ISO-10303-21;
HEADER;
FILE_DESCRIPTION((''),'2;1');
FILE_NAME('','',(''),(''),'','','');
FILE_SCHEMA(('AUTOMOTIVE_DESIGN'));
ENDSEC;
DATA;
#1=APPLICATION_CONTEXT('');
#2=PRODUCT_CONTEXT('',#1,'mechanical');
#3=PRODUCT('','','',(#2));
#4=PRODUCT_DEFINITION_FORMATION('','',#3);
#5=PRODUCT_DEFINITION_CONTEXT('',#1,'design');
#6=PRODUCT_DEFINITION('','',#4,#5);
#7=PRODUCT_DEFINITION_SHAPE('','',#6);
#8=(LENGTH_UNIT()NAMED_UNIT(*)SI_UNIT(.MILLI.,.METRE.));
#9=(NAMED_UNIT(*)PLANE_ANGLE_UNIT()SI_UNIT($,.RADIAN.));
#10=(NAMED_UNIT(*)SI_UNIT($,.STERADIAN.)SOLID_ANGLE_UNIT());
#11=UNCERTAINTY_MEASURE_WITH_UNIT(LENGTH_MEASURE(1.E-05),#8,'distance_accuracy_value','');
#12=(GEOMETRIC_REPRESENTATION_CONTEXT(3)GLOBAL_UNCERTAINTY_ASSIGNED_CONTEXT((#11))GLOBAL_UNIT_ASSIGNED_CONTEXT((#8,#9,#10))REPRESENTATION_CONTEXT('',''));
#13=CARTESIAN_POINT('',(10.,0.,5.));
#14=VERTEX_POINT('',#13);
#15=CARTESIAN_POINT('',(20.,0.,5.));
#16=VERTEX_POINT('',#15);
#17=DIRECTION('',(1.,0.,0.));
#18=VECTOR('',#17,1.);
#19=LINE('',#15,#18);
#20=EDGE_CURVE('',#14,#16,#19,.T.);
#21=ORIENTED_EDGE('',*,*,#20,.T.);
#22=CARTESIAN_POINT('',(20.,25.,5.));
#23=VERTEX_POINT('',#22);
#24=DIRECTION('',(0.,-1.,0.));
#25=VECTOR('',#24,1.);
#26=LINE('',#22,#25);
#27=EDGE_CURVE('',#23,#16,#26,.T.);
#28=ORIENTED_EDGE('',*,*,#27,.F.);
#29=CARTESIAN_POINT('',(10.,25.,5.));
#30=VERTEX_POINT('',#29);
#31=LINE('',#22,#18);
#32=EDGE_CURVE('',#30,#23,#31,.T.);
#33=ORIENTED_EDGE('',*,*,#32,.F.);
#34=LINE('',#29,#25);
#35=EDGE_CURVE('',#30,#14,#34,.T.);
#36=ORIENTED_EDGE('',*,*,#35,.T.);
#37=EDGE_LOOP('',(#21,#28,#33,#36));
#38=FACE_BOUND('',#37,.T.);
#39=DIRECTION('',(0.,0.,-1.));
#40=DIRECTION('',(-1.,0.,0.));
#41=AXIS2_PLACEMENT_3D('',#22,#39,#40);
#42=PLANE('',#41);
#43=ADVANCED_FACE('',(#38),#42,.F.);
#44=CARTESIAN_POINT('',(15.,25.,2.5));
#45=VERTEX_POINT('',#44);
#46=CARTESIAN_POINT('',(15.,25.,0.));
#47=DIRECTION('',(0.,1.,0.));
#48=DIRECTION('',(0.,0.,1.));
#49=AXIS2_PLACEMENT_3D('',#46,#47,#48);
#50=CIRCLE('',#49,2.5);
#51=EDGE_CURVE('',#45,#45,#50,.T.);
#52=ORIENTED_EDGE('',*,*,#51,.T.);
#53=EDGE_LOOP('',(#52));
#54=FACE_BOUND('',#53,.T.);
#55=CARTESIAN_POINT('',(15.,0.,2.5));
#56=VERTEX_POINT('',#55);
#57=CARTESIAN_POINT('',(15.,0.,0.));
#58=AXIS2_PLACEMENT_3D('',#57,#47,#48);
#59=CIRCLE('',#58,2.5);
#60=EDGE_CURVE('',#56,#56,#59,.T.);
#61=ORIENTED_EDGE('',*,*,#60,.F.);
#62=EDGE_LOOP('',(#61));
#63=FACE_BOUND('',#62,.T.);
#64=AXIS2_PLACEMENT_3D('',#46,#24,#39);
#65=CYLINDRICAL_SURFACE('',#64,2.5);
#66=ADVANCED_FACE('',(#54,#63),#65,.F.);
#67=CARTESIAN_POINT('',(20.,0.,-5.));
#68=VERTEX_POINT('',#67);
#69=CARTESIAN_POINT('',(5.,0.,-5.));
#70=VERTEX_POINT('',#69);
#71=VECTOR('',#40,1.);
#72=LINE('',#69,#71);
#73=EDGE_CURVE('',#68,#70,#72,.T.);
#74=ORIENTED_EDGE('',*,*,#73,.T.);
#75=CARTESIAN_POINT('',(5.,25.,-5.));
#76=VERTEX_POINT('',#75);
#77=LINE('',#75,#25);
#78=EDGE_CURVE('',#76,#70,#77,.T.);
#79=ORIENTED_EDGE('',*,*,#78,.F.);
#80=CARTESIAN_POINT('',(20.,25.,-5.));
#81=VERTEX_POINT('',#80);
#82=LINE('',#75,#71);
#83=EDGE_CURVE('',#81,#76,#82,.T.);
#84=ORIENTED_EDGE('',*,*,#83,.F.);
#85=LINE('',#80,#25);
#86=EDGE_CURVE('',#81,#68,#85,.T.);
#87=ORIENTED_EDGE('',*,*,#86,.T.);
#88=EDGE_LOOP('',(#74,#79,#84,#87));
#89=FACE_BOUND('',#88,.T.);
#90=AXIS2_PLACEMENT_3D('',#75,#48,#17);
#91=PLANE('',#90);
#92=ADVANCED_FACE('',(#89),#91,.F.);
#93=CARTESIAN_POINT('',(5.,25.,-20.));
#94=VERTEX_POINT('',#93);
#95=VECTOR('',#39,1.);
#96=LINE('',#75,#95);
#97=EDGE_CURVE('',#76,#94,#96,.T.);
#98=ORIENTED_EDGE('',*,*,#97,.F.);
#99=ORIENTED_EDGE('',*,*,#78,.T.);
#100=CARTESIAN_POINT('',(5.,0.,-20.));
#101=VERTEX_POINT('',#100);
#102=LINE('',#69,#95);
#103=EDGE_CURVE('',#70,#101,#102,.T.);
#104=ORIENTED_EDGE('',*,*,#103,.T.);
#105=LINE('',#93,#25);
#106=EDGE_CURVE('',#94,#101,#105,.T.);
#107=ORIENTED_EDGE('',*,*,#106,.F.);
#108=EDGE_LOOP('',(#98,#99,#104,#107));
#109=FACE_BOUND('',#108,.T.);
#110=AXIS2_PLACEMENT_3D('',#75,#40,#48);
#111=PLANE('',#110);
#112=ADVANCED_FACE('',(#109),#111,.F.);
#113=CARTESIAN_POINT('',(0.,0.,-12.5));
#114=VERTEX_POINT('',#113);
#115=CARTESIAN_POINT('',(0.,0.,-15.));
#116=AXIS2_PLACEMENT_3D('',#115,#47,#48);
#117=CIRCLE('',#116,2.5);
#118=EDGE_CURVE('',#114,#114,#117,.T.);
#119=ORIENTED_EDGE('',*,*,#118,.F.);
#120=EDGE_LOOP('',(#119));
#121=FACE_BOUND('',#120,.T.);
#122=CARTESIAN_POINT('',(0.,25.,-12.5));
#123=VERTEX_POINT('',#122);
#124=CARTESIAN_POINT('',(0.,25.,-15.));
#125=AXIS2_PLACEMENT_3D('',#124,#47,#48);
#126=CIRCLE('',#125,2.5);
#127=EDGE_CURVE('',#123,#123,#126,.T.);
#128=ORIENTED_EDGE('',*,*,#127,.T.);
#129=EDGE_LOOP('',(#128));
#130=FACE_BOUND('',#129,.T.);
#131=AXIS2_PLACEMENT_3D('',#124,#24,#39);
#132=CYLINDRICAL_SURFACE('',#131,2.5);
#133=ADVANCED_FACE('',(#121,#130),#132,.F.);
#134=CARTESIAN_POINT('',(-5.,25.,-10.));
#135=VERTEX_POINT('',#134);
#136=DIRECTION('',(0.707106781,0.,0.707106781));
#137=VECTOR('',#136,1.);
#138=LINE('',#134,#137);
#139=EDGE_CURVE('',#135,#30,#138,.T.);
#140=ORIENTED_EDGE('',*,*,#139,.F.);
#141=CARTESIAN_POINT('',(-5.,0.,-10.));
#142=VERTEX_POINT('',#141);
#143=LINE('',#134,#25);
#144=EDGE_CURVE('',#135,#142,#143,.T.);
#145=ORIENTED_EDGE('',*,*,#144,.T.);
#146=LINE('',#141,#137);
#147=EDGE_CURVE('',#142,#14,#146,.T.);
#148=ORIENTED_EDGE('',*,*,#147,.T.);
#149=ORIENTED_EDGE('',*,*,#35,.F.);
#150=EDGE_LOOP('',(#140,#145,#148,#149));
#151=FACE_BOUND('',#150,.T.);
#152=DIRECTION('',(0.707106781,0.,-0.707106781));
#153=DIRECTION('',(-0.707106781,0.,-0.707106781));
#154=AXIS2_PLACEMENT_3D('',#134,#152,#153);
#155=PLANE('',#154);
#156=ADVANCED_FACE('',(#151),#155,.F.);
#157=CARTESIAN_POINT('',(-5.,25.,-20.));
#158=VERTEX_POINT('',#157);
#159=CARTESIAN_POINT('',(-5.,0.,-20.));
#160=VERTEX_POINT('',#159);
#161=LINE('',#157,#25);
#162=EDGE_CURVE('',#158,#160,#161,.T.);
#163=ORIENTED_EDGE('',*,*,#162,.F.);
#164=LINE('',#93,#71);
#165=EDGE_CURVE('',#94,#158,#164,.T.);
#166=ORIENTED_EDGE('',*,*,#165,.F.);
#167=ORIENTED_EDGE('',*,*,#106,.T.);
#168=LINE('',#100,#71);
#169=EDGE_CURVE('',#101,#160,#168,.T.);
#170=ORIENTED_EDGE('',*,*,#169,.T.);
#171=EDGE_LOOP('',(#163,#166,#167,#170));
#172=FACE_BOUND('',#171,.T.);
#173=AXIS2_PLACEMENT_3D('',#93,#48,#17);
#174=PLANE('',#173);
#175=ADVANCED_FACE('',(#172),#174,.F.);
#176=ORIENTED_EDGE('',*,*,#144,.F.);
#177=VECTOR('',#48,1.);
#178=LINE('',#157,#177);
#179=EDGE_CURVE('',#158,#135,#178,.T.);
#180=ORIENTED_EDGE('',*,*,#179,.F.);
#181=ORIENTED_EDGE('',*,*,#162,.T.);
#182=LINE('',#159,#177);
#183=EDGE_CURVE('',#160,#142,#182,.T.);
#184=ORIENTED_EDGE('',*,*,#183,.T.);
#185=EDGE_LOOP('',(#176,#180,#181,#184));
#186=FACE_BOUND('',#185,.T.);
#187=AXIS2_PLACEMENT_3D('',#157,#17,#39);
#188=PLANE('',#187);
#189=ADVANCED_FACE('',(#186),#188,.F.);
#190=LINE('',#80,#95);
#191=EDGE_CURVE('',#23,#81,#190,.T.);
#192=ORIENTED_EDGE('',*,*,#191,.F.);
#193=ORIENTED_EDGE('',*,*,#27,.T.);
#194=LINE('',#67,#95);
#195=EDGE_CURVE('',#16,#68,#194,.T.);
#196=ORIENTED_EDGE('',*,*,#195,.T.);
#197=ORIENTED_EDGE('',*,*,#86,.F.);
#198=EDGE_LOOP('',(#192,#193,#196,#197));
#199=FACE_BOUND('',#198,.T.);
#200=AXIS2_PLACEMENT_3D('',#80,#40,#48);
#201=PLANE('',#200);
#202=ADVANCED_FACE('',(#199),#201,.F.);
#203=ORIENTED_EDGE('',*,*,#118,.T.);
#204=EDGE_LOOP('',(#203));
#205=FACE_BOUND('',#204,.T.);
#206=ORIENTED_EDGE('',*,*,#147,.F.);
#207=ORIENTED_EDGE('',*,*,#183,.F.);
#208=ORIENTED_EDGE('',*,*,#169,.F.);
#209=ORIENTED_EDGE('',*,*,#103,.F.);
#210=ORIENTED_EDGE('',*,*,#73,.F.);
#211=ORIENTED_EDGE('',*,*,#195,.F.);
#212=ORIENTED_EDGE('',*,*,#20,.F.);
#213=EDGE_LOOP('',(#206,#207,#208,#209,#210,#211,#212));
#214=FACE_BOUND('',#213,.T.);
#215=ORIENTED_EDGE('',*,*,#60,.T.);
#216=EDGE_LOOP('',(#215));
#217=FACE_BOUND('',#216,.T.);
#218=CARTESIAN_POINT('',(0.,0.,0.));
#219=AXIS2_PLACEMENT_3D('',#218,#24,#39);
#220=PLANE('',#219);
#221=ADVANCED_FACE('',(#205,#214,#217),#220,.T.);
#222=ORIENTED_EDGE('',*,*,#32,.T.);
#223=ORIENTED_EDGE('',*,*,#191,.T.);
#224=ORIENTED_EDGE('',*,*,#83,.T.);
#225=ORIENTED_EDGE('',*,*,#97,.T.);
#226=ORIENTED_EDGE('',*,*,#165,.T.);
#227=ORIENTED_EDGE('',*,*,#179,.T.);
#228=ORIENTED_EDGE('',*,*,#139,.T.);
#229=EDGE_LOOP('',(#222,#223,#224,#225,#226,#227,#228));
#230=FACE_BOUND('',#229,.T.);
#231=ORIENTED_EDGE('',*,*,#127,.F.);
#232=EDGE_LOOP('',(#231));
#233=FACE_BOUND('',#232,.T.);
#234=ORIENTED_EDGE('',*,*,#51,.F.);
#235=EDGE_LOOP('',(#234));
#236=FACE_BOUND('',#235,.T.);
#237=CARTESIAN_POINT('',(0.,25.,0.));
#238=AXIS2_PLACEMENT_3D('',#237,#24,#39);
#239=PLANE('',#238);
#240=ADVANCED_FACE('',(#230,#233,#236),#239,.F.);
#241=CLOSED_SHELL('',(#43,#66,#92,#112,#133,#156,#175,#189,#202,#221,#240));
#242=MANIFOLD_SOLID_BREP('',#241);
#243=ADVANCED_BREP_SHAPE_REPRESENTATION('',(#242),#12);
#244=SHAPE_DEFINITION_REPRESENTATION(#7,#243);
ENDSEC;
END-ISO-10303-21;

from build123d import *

# Parameters (mm, degrees)
SKETCH1_R           = 2.5
BOSS_EXTRUDE1_DEPTH = 25


with BuildPart() as part:
    # Sketch1 → Boss-Extrude1 (new body)
    with BuildSketch(Plane(origin=(0, 0, 0), x_dir=(1, 0, 0), z_dir=(0, 1, 0))):
        Polygon((5, 5), (5, 20), (-5, 20), (-5, 10), (10, -5), (20, -5), (20, 5), align=None)
        with Locations((0, 15)):
            Circle(SKETCH1_R, mode=Mode.SUBTRACT)
        with Locations((15, 0)):
            Circle(SKETCH1_R, mode=Mode.SUBTRACT)
    extrude(amount=BOSS_EXTRUDE1_DEPTH)


solid = part.part
